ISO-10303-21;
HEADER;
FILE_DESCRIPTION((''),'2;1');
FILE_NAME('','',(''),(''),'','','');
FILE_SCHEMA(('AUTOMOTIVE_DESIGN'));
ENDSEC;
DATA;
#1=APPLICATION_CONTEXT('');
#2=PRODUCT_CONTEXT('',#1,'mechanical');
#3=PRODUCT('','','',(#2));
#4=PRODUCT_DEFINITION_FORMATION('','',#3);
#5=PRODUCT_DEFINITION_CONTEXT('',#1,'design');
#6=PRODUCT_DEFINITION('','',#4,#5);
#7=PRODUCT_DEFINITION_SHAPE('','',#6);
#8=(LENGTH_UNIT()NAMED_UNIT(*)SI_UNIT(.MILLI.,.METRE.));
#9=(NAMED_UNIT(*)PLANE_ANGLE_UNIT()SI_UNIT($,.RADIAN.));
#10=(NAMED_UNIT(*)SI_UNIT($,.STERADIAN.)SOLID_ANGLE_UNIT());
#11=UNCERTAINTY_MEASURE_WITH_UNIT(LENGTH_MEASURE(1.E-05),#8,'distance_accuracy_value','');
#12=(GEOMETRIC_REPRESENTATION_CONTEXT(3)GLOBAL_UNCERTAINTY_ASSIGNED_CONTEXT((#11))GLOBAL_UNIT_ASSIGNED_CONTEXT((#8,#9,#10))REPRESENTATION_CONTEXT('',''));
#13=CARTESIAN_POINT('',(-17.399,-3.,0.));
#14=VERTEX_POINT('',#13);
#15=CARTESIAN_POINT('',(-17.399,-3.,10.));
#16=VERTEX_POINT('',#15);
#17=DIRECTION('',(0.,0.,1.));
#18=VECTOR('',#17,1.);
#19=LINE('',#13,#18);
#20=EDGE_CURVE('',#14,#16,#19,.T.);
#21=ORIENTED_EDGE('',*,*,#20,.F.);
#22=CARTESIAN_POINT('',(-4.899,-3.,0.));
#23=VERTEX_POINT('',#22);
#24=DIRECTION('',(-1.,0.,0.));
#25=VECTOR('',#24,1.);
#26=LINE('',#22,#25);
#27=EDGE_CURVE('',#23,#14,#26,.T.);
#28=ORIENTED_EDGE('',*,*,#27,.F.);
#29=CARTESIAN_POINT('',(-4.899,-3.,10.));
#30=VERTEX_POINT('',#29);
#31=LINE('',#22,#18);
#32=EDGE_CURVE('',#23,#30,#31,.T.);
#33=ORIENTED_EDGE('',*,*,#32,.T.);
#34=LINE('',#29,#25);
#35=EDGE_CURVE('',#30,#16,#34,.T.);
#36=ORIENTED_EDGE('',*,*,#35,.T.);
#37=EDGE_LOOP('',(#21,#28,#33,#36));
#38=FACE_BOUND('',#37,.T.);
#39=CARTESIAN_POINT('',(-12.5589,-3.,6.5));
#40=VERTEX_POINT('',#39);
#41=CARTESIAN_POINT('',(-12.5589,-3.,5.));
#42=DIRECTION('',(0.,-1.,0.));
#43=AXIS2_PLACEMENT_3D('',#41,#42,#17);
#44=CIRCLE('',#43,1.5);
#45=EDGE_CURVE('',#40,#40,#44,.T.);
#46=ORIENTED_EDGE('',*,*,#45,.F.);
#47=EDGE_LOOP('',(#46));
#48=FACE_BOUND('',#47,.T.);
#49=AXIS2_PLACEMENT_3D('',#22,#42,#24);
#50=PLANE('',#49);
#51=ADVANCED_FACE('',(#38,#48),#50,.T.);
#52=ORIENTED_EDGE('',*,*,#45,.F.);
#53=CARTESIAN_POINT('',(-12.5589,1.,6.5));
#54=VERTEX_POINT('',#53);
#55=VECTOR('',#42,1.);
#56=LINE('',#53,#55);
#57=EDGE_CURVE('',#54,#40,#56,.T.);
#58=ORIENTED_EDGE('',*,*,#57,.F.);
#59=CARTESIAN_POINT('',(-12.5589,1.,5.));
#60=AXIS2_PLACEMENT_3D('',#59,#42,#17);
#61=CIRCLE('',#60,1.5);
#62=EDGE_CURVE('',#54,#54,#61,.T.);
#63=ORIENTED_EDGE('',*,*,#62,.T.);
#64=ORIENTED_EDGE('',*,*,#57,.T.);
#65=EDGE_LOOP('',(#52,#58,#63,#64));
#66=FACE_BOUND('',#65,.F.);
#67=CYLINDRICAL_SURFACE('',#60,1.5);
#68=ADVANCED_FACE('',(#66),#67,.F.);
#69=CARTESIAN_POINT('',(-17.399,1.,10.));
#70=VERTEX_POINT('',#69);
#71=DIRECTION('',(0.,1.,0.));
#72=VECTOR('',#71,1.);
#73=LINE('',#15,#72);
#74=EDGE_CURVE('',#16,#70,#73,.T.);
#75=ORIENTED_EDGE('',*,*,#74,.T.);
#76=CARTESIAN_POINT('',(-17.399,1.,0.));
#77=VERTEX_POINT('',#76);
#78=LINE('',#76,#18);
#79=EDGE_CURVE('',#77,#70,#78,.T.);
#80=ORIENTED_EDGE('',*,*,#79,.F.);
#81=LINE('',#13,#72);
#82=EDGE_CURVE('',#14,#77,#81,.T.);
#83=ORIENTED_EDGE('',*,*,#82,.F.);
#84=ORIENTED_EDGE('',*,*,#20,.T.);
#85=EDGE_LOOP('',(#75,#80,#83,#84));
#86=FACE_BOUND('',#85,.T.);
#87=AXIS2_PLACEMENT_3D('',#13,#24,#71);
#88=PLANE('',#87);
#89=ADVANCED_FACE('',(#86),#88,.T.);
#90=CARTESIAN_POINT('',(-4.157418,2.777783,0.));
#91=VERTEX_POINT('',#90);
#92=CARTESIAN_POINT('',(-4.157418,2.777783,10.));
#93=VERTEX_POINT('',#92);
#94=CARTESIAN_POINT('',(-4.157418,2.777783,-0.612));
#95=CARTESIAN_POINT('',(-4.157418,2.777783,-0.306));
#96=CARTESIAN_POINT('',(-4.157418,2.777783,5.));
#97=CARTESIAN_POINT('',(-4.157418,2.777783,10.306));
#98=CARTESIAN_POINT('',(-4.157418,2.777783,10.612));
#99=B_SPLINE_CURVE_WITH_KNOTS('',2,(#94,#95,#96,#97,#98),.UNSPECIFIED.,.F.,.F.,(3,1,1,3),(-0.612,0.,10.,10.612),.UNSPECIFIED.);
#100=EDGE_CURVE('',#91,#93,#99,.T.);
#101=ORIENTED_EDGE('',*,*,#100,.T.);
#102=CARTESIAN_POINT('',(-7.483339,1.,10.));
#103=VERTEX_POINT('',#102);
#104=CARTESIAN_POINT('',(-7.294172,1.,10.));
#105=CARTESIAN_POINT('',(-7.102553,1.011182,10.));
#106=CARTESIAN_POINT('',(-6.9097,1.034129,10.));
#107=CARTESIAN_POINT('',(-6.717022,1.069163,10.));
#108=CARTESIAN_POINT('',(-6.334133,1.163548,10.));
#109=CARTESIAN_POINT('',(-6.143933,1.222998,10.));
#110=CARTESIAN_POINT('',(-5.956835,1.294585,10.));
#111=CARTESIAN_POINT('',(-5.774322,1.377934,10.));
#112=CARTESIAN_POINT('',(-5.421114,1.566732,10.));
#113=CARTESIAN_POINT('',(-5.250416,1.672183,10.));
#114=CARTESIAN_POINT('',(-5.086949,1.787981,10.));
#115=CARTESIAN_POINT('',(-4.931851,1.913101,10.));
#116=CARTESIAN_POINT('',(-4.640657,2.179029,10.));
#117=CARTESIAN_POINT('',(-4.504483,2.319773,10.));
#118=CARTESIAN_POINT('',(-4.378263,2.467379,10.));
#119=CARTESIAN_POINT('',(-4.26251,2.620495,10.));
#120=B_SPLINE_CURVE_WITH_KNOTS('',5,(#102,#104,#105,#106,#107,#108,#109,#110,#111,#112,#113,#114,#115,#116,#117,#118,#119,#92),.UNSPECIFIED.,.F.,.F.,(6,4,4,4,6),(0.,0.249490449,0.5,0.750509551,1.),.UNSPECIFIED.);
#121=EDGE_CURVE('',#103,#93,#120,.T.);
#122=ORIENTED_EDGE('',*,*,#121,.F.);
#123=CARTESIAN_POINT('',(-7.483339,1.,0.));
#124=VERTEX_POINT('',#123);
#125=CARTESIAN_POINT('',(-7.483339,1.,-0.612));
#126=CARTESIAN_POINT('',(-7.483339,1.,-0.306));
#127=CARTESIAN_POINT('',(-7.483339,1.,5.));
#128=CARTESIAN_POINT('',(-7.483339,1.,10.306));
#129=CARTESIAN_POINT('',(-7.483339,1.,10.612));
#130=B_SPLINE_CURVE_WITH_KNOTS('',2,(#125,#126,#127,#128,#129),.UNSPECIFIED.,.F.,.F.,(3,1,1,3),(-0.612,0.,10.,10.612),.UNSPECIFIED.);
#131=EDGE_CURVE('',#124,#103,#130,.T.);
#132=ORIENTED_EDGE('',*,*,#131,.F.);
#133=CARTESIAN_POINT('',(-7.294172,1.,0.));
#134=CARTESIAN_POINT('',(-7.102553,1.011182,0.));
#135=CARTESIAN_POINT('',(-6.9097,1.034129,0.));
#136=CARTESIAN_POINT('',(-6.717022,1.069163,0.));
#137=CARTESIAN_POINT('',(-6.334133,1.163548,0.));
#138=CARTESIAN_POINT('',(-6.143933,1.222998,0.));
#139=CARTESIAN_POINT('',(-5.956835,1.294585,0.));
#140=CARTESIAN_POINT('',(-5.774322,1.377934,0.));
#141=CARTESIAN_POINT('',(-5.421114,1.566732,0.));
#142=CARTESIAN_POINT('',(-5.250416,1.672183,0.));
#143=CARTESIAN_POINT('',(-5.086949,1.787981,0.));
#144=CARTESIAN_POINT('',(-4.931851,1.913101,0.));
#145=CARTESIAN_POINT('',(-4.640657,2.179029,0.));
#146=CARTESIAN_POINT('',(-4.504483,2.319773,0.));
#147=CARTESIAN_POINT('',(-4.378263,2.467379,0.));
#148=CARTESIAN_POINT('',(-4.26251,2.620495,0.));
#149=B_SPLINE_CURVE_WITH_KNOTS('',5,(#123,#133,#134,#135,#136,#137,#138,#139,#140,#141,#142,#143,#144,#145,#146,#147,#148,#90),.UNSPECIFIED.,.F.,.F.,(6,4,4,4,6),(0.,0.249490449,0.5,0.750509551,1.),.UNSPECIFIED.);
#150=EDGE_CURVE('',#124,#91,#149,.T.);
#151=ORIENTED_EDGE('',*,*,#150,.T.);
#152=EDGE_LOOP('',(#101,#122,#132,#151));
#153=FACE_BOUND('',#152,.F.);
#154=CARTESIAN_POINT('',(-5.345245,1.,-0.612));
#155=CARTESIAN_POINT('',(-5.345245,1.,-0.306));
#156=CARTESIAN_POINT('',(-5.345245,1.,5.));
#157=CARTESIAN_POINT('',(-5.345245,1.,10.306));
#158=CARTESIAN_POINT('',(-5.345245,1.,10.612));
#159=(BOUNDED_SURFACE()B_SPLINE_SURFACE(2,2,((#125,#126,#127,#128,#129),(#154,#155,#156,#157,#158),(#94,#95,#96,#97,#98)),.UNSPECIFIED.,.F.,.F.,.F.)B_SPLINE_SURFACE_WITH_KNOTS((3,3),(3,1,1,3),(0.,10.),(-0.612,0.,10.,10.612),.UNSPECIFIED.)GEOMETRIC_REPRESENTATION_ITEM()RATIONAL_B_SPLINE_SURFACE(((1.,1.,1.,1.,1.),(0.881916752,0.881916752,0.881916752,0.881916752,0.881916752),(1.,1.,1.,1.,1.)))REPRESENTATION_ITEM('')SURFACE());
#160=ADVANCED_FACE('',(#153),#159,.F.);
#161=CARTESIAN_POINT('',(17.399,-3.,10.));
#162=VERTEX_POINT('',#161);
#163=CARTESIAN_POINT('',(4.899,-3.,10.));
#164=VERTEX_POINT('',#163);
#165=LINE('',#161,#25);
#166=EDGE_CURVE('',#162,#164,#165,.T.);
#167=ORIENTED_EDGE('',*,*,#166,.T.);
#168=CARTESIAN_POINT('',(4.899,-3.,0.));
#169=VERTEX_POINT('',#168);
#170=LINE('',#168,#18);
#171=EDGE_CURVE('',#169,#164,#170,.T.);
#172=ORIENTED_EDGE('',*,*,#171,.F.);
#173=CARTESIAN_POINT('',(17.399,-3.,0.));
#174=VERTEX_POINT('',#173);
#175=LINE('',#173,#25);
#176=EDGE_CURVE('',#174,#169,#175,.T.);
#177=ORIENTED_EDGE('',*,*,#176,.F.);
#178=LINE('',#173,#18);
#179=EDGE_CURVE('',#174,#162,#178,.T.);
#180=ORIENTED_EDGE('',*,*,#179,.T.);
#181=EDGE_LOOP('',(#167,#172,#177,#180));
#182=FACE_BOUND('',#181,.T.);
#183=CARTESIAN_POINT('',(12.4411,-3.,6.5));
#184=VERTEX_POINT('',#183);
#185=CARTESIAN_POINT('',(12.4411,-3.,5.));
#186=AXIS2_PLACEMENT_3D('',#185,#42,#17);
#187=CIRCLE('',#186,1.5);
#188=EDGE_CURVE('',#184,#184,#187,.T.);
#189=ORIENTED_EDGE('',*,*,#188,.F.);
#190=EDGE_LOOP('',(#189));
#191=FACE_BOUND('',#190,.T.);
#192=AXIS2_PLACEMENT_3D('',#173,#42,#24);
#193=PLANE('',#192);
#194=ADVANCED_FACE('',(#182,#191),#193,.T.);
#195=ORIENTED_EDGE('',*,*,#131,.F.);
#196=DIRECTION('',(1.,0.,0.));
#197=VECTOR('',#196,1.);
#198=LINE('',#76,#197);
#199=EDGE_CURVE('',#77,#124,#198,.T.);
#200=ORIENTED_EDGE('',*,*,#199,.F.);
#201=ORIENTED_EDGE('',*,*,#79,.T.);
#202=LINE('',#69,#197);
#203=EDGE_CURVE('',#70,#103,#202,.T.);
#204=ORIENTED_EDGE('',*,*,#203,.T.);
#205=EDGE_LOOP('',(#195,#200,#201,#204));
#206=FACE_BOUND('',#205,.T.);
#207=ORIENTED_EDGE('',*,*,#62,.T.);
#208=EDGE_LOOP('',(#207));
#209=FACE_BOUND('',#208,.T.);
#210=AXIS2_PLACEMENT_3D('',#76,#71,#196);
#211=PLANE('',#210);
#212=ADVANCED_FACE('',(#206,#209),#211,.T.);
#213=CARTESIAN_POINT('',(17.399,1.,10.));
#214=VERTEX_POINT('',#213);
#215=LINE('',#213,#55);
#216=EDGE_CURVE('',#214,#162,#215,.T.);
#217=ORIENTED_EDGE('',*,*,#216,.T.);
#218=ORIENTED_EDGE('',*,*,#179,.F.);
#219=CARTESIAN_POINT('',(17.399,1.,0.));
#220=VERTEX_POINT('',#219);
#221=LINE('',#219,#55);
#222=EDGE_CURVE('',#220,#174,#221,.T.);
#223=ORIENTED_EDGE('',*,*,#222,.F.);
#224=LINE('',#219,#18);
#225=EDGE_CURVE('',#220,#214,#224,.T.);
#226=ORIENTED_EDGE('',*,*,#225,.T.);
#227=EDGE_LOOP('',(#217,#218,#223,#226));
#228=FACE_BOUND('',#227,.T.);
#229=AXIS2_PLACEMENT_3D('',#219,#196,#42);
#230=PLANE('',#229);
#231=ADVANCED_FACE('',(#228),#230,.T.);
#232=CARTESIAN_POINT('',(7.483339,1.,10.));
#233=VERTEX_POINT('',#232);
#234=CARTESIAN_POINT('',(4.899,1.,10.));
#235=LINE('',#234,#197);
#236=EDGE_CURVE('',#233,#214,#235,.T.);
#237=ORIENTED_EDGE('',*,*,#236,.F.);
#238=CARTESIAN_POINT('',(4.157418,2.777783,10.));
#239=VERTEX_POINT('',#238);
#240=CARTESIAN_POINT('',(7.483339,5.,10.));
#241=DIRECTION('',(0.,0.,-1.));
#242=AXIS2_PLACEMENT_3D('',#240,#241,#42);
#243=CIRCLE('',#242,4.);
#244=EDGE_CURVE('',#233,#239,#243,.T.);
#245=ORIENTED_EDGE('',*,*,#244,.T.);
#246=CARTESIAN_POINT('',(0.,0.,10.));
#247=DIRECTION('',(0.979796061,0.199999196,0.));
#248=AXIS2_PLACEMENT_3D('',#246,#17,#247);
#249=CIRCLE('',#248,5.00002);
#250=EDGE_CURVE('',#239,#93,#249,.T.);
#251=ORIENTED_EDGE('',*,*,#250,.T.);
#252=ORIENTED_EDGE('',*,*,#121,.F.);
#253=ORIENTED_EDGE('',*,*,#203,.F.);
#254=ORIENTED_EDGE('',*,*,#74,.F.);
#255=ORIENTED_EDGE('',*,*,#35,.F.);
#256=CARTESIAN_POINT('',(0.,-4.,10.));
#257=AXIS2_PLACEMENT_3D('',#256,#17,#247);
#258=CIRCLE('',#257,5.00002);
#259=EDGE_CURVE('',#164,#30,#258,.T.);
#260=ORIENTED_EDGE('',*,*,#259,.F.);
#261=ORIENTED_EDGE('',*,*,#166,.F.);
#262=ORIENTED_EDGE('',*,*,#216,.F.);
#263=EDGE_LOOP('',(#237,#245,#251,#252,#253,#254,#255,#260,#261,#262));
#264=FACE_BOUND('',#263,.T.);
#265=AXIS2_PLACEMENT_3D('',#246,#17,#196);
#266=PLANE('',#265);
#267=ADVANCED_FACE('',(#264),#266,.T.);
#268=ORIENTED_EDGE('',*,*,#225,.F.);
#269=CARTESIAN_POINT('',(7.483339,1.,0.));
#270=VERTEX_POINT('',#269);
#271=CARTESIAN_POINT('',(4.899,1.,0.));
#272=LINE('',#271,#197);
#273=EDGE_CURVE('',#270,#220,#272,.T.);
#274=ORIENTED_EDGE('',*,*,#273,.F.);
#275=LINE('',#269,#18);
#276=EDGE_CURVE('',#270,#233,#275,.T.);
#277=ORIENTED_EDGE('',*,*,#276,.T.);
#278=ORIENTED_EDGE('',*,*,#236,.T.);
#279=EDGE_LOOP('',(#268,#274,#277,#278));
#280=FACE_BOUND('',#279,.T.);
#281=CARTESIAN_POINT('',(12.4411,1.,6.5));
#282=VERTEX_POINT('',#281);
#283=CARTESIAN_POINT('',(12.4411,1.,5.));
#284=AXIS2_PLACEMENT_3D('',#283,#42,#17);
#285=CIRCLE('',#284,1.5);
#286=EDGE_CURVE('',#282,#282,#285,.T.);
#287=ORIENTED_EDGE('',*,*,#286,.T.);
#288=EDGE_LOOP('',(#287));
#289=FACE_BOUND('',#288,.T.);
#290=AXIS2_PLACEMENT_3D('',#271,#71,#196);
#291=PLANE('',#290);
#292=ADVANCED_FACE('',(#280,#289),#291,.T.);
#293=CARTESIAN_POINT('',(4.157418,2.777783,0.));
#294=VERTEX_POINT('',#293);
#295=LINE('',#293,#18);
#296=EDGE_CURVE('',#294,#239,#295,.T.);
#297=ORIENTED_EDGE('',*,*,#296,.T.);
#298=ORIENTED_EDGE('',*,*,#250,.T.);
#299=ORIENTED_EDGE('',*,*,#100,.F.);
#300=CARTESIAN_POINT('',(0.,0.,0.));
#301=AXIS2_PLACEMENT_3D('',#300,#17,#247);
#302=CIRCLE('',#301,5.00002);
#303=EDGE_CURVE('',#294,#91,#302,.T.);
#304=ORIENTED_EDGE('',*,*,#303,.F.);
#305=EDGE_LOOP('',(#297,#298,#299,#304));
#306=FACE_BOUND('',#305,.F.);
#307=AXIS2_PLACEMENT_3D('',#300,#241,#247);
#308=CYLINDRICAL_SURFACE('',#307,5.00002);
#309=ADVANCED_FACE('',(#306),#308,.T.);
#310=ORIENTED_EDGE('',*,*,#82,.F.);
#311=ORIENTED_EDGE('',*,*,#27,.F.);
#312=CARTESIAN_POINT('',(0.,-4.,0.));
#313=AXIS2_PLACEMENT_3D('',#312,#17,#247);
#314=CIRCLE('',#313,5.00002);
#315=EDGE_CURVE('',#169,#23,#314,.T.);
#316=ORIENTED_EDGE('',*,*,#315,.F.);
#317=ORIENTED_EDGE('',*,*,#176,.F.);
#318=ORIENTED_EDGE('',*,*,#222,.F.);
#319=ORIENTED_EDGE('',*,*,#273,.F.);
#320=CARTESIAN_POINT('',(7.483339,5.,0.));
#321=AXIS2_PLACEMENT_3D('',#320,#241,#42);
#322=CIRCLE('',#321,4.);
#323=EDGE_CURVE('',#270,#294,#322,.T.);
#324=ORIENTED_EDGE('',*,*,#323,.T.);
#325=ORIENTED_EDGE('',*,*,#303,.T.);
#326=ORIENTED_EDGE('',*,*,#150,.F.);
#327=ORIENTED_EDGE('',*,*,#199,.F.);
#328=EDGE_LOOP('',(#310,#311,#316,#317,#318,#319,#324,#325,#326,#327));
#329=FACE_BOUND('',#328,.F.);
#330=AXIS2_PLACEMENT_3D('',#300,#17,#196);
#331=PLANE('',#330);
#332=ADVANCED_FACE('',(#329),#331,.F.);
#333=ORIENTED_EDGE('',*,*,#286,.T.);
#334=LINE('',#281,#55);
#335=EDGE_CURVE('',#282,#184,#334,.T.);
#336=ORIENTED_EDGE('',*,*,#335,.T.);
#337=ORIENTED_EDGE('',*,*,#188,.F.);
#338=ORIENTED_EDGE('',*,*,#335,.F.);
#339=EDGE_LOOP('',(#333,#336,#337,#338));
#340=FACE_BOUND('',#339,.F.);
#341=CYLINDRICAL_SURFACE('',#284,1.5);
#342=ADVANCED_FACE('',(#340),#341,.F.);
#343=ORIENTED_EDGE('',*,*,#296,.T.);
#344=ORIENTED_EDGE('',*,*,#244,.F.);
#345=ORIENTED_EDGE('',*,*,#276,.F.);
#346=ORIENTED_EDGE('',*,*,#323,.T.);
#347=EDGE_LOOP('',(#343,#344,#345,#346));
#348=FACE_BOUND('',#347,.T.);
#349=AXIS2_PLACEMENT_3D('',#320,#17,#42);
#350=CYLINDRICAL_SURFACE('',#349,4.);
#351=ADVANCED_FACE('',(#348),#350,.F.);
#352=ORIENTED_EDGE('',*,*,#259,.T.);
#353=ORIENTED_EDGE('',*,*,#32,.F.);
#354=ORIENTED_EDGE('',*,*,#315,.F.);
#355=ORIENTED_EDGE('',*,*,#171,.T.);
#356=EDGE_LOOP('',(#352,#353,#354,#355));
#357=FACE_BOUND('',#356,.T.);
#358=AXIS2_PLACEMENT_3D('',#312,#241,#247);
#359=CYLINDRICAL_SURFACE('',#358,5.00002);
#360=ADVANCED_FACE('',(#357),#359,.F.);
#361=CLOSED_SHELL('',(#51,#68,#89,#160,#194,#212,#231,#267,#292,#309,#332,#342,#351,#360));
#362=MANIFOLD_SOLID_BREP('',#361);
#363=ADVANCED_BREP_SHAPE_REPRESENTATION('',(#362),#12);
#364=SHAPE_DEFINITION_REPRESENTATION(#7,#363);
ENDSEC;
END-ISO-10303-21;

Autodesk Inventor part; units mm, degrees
ref_plane "YZ Plane" through (0, 0, 0) normal (1, 0, 0) x (0, 1, 0)
ref_plane "XZ Plane" through (0, 0, 0) normal (0, 1, 0) x (-1, 0, 0)
ref_plane "XY Plane" through (0, 0, 0) normal (0, 0, 1) x (1, 0, 0)
sketch "Skizze1" plane through (0, 0, 0) normal (0, 0, 1) x (1, 0, 0)
  arc A0 (4.899, 1) -> (-4.899, 1) centre (0, 0) ccw
  line L0 (-17.399, 1) -> (-7.218, 1)
  line L1 (-7.218, 1) -> (-4.899, 1)
  line L2 (4.899, 1) -> (17.399, 1)
  line L3 (17.399, 1) -> (17.399, -3)
  line L4 (-17.399, -3) -> (-17.399, 1)
  arc A1 (4.899, -3) -> (-4.899, -3) centre (0, -4) ccw
  line L5 (17.399, -3) -> (4.899, -3)
  line L6 (-4.899, -3) -> (-17.399, -3)
  dimension "d0" = 10
  dimension "d1" = 1
  dimension "d3" = 10
  dimension "d16" = 4
  dimension "d17" = 12.5
  dimension "d18" = 12.5
extrude "Extrusion1" add sketch "Skizze1" along normal blind 10
fillet "Rundung1" radius 4 2 edges at (-4.899, 1, 5) (4.899, 1, 5)
sketch "Skizze4" plane through (-17.399, 1, 10) normal (0, 1, 0) x (1, 0, 0)
  line L0 (0, 10) -> (9.9157, 10) projected
  line L1 (0, 10) -> (0, 0) projected
  line L2 (9.9157, 0) -> (0, 0) projected
  line L3 (9.9157, 10) -> (9.9157, 0) projected
  line L4 (34.798, 10) -> (34.798, 0) projected
  line L5 (24.8823, 10) -> (34.798, 10) projected
  line L6 (24.8823, 0) -> (24.8823, 10) projected
  line L7 (34.798, 0) -> (24.8823, 0) projected
  point P0 (17.399, 10)
  point P1 (4.8401, 5)
  point P2 (29.8401, 5)
  dimension "d19" = 25
hole "Bohrung2" at (-12.5589, 1, 5) at (12.4411, 1, 5) direction (0, -1, 0) diameter 3 end through all
properties part number "Klemme"
